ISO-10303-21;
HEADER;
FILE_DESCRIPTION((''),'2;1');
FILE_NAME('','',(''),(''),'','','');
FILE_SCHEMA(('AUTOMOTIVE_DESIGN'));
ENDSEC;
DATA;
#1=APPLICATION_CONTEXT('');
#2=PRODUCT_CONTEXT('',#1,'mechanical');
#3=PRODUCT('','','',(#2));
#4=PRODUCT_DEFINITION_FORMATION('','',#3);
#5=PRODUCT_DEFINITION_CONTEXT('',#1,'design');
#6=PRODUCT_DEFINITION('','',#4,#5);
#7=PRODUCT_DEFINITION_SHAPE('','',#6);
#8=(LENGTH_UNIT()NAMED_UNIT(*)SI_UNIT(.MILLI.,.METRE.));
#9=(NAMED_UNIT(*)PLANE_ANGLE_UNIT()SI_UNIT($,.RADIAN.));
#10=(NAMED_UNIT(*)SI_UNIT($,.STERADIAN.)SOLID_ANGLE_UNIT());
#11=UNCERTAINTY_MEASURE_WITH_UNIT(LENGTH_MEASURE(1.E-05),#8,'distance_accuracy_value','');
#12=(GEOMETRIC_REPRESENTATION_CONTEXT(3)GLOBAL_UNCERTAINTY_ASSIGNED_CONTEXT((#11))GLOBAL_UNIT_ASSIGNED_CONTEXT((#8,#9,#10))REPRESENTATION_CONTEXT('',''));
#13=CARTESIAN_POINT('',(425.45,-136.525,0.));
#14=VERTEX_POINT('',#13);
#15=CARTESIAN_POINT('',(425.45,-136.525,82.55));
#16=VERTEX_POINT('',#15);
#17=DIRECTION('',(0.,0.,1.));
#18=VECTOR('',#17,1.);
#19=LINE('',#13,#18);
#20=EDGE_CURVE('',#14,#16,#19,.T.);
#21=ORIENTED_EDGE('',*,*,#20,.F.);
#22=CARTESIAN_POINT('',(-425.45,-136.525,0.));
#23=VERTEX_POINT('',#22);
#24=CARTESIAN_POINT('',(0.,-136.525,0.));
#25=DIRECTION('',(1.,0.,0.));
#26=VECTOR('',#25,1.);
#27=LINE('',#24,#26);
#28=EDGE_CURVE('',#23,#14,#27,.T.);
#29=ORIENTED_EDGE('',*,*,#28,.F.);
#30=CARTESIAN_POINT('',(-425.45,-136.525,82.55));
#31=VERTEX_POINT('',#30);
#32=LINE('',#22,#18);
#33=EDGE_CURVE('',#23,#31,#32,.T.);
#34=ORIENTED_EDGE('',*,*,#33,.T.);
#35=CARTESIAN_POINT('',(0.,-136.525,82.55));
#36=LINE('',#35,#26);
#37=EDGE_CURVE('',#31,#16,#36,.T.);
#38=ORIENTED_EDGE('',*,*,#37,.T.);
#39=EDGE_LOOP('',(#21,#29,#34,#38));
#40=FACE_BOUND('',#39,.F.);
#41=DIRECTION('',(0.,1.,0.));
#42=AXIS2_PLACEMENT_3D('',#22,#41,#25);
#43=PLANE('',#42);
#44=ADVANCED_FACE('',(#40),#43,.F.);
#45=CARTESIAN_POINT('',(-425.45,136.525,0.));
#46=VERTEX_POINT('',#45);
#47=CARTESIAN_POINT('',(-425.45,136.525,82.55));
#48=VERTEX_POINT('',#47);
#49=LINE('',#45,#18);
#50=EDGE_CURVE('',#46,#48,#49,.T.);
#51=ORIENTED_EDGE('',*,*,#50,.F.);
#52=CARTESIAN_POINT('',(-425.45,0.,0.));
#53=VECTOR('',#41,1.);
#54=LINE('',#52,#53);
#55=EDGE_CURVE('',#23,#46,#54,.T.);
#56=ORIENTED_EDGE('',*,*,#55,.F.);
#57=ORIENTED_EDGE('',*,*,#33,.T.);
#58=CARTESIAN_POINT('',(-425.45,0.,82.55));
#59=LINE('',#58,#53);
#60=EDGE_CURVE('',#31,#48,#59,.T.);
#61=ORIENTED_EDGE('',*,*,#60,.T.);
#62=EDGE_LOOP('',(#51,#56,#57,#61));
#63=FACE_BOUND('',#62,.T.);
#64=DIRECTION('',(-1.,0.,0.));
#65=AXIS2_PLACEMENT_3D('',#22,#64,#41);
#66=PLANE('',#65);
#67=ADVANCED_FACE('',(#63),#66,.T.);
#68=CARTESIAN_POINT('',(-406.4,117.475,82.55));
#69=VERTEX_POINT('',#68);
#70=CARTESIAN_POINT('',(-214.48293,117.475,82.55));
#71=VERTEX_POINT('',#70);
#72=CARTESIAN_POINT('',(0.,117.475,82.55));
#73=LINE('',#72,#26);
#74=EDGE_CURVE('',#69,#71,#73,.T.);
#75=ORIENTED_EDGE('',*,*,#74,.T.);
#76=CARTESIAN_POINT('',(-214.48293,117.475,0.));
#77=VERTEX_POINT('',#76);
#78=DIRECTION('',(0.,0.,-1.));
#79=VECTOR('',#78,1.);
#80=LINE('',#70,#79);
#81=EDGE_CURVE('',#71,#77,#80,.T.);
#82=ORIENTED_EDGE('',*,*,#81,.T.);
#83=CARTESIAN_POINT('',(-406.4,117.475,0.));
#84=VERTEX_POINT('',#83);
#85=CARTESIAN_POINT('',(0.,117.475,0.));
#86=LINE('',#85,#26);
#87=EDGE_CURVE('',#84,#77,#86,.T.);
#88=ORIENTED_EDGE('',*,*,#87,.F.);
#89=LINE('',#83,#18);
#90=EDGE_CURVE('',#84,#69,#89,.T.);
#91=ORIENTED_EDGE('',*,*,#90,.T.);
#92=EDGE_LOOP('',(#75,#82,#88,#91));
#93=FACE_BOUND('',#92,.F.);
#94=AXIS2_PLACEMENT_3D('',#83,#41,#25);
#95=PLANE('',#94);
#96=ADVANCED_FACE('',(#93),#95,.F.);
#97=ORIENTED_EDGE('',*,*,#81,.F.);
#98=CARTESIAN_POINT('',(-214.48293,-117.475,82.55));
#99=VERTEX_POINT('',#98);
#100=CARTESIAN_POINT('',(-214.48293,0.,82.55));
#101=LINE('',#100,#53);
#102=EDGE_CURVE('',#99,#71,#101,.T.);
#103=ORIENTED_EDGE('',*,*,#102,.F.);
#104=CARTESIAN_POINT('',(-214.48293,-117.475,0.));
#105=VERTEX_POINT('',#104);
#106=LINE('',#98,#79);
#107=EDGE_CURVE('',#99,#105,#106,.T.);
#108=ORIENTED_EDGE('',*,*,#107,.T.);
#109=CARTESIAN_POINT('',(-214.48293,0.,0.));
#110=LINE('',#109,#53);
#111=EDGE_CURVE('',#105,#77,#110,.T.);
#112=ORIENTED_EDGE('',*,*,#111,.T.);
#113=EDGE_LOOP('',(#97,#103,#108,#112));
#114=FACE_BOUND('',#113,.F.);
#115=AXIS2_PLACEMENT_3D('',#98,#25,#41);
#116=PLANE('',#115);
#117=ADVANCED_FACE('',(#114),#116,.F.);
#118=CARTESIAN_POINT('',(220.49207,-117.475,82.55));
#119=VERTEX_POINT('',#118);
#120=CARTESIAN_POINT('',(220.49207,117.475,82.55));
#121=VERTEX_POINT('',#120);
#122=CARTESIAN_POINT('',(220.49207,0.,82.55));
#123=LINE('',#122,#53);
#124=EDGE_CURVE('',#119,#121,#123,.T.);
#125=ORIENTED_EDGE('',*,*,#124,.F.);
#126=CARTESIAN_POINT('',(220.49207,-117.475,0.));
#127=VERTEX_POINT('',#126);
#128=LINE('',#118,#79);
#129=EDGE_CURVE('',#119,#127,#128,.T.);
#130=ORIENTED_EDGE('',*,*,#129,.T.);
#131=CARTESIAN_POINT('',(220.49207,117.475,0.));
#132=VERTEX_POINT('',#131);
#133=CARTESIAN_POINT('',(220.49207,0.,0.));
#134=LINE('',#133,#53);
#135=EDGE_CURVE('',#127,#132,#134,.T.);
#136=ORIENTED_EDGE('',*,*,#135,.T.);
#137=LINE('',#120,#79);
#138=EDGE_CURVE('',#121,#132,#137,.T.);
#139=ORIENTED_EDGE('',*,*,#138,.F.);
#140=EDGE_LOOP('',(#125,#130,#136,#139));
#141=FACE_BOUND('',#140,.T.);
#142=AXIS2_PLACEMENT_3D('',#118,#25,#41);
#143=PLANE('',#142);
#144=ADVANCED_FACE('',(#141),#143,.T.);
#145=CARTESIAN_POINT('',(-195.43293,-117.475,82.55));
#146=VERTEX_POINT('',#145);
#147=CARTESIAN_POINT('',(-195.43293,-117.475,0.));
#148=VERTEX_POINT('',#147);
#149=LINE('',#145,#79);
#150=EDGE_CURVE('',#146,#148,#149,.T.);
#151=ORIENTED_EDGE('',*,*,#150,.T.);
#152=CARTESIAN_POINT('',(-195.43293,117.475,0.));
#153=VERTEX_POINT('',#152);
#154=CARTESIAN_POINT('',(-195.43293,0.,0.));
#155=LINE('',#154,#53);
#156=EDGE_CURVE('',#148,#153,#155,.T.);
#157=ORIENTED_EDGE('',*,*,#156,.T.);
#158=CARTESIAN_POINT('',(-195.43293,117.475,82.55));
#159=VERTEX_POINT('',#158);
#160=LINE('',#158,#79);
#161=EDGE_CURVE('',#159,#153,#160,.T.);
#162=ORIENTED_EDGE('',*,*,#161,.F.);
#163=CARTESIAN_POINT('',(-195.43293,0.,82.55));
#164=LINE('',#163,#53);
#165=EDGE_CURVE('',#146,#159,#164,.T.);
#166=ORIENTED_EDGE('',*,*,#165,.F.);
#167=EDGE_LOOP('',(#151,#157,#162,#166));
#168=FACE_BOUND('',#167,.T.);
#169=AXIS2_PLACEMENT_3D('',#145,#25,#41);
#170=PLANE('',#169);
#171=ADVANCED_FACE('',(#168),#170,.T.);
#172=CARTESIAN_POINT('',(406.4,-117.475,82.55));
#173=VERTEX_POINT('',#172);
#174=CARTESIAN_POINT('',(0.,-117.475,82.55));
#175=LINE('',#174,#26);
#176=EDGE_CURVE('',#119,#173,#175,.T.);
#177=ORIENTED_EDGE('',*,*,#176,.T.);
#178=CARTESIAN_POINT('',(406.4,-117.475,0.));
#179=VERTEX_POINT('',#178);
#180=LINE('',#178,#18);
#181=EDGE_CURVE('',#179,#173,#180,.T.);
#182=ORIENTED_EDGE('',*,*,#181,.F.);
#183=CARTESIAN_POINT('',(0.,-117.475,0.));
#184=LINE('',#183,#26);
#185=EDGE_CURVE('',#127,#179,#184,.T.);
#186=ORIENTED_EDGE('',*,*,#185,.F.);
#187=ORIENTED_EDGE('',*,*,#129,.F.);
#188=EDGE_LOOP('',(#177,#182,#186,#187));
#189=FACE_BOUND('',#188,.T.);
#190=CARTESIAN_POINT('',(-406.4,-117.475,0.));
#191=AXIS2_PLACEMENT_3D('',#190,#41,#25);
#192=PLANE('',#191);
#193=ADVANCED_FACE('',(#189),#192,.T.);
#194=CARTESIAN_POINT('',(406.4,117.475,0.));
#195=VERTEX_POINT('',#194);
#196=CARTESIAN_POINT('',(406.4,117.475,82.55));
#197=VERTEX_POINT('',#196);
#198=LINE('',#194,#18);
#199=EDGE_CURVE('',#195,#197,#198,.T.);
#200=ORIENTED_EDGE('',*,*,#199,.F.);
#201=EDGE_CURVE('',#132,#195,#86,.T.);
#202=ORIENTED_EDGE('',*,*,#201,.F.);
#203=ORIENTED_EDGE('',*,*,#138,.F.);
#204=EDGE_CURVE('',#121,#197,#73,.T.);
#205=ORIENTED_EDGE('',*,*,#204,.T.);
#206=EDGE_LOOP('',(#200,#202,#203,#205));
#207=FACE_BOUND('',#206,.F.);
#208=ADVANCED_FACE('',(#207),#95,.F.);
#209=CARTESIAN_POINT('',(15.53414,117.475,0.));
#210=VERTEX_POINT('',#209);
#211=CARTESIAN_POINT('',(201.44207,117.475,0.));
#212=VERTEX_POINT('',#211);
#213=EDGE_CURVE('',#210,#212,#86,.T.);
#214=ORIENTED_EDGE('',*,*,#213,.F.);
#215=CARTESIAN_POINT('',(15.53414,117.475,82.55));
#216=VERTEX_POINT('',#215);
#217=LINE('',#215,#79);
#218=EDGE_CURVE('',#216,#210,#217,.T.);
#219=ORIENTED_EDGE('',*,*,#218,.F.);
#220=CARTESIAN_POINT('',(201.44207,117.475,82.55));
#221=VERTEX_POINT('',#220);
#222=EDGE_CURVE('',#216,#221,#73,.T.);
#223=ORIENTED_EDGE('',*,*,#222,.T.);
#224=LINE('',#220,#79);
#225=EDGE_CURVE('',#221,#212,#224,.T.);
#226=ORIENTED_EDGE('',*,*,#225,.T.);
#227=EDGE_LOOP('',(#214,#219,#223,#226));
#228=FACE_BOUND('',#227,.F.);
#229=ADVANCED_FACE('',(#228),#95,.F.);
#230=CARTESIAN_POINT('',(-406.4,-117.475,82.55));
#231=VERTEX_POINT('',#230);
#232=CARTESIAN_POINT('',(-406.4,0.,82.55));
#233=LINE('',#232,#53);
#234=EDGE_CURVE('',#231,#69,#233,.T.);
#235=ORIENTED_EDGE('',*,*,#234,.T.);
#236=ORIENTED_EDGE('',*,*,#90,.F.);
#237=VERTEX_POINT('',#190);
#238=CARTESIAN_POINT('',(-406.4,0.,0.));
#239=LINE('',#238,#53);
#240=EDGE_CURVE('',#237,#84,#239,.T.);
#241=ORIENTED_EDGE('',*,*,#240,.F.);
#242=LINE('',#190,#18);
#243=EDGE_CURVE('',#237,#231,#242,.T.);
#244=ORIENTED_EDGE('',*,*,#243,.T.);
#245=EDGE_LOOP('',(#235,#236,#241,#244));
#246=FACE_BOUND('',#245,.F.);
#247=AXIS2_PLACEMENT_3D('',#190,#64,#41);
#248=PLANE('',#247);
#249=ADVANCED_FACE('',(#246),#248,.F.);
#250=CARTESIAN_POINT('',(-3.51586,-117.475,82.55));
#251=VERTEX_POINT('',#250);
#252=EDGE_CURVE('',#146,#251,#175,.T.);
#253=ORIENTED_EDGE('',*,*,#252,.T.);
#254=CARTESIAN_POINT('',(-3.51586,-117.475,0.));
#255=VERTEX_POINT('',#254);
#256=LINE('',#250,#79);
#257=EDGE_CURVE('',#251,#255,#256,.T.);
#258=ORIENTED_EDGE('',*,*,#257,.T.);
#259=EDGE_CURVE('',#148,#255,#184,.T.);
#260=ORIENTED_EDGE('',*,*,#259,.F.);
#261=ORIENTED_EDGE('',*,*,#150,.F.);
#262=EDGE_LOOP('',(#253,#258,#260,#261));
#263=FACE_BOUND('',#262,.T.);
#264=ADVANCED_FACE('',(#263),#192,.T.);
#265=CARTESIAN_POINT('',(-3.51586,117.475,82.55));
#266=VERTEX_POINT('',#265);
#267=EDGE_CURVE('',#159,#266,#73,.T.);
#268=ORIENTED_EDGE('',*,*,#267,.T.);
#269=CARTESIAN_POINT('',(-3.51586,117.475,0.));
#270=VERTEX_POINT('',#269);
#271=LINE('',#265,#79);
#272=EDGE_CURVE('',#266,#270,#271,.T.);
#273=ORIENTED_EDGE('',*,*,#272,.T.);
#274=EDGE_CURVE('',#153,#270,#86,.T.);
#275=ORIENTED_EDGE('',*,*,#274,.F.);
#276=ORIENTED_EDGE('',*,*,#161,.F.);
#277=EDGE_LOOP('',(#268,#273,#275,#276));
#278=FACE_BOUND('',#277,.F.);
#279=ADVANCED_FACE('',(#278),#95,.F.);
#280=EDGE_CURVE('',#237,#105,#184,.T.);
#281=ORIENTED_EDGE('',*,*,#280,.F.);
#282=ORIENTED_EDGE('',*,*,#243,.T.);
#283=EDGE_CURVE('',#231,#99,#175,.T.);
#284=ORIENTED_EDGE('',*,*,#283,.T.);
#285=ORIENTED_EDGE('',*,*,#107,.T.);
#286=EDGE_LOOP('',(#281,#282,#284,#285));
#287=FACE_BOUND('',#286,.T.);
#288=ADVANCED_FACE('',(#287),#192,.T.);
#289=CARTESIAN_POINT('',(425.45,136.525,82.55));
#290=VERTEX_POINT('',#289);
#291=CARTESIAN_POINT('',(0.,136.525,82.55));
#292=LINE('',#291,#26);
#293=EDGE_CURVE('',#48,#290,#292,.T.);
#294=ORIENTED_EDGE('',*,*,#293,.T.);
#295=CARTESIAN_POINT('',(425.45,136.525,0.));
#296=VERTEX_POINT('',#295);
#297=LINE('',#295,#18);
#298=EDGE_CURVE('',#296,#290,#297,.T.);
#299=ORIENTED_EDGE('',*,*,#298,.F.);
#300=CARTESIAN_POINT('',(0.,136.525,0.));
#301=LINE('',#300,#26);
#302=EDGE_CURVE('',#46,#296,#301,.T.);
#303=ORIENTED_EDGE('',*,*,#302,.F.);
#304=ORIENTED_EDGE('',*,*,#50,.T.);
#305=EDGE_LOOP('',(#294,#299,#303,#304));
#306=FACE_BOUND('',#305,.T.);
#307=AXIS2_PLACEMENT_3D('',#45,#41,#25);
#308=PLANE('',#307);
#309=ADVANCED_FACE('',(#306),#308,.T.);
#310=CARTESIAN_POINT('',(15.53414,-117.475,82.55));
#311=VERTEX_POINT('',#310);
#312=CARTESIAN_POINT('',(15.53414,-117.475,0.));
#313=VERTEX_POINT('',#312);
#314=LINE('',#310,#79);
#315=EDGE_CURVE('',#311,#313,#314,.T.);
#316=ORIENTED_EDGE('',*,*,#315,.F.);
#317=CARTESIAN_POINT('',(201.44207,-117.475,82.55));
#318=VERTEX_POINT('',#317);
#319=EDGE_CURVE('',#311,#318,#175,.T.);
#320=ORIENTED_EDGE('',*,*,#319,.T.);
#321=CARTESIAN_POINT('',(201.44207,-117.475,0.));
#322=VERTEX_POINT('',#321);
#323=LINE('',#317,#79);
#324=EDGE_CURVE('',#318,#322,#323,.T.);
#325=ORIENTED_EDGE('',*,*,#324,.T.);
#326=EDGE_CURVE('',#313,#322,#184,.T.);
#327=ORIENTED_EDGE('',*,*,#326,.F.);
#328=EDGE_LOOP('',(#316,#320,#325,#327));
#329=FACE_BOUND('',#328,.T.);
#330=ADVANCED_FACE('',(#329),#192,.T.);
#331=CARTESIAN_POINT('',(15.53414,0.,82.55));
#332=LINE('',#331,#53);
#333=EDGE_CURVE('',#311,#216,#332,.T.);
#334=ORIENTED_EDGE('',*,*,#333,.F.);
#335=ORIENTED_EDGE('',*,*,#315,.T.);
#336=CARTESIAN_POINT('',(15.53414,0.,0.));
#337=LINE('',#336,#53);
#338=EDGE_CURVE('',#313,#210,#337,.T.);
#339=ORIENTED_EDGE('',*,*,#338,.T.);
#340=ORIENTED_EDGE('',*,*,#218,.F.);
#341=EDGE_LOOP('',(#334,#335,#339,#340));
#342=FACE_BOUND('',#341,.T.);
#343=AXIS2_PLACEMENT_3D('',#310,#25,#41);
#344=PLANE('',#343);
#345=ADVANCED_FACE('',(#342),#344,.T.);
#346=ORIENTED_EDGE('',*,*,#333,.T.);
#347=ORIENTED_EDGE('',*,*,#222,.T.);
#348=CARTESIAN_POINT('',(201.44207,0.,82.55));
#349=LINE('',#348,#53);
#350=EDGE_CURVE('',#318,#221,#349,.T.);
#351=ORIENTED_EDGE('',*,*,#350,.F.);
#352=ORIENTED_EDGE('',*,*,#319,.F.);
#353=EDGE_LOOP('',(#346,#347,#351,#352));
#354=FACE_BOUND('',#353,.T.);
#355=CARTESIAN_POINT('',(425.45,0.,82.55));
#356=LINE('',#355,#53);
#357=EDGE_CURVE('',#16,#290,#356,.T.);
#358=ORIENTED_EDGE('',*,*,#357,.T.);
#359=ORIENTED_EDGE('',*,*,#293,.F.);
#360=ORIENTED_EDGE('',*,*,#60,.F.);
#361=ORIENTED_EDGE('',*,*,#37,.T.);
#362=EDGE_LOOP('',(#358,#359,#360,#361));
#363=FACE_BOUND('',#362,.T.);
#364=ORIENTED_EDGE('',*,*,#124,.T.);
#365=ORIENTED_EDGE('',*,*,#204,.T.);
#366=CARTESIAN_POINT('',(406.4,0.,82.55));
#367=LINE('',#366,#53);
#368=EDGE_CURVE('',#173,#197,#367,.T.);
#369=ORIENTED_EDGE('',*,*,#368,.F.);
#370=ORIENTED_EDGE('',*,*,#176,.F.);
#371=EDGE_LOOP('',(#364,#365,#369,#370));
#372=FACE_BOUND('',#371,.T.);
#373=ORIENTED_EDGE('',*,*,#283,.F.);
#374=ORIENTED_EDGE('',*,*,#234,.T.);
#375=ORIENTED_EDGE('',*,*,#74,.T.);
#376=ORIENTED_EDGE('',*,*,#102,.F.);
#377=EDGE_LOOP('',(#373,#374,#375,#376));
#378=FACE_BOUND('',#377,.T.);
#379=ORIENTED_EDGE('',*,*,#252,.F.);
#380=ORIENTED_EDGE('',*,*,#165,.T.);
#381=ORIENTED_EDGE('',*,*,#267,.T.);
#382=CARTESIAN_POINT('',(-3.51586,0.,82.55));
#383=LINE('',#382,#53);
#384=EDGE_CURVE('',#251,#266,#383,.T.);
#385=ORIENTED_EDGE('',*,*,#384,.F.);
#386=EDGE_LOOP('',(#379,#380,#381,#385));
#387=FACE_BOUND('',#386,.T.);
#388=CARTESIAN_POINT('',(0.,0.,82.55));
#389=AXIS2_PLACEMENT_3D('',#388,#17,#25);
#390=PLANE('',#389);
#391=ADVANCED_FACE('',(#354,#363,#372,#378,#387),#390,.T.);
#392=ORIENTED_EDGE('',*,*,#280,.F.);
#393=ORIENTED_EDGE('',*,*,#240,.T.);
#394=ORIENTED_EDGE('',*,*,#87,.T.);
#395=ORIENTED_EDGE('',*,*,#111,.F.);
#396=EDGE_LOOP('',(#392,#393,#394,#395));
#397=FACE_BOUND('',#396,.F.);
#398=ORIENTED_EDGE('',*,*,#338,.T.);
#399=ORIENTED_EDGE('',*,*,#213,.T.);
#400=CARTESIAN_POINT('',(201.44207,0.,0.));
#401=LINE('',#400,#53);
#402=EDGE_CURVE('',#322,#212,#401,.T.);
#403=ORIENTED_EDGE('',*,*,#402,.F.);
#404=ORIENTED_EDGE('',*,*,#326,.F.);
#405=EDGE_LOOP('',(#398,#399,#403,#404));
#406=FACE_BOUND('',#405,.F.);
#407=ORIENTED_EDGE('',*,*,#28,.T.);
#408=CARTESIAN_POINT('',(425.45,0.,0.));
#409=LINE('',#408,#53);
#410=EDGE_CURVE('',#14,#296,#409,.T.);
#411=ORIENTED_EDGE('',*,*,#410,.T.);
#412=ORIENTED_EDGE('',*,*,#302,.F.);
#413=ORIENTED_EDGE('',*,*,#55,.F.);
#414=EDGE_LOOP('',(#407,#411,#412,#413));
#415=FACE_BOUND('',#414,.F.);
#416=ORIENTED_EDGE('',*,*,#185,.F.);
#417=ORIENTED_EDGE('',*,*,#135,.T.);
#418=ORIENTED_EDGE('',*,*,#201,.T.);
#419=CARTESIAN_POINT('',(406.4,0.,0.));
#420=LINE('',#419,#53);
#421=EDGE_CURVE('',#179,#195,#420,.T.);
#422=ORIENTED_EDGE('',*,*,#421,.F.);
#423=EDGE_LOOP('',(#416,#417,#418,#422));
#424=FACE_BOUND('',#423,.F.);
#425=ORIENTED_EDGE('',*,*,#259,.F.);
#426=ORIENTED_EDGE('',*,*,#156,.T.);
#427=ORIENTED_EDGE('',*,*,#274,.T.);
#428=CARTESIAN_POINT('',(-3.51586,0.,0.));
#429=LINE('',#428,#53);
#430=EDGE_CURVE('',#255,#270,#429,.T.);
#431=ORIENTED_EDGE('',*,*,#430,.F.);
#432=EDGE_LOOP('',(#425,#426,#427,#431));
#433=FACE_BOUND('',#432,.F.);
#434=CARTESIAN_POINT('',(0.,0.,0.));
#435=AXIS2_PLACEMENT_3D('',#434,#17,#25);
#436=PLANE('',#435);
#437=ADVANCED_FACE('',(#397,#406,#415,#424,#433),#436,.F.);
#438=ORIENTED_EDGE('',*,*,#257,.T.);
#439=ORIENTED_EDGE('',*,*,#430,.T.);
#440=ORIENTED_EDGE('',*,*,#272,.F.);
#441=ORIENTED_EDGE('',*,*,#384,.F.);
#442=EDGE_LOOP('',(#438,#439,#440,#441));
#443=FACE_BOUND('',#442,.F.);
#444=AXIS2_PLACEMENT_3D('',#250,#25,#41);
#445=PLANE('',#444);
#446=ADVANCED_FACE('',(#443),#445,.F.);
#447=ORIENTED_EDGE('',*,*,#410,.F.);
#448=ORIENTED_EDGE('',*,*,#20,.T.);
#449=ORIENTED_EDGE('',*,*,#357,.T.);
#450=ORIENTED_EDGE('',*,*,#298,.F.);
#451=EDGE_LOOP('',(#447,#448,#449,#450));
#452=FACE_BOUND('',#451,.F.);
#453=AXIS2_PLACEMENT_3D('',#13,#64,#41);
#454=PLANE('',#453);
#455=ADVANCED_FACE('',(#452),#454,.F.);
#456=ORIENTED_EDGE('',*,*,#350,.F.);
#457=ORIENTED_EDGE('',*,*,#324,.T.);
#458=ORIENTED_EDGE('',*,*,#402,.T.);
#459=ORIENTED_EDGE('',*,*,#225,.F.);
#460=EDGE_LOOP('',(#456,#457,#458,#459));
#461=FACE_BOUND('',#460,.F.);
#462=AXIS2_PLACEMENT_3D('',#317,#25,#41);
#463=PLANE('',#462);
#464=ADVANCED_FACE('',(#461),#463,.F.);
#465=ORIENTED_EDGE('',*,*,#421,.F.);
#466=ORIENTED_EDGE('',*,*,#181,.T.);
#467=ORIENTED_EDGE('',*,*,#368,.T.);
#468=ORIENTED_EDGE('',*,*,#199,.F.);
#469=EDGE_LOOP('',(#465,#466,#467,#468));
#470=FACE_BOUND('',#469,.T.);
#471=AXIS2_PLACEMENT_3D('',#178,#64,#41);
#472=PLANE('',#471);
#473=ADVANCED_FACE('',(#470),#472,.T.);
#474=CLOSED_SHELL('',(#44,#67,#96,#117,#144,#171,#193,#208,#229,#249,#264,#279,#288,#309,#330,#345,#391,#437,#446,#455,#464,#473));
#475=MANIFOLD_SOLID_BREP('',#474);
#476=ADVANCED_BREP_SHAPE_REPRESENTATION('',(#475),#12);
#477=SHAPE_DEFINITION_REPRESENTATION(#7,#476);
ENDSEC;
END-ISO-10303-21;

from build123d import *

# Parameters (mm, degrees)
F1_W     = 850.9
F1_H     = 273.05
F1_W_2   = 812.8
F1_H_2   = 234.95
F2_DEPTH = 82.55
F3_W     = 19.05
F3_H     = 234.95
F4_DEPTH = 82.55
F5_W     = 19.05
F5_H     = 234.95
F6_DEPTH = 82.55
F7_W     = 19.05
F7_H     = 234.95
F8_DEPTH = 82.55


with BuildPart() as f2:
    # F1 (on face) → F2 (new body)
    with BuildSketch(Plane.XY):
        Rectangle(F1_W, F1_H)
        Rectangle(F1_W_2, F1_H_2, mode=Mode.SUBTRACT)
    extrude(amount=F2_DEPTH)

    # F3 (on face) → F4 (join)
    with BuildSketch(Plane.XY.offset(82.55)):
        with Locations((6.0091395862, 0)):
            Rectangle(F3_W, F3_H)
    extrude(amount=-F4_DEPTH)

    # F5 (on face) → F6 (join)
    with BuildSketch(Plane.XY.offset(82.55)):
        with Locations((-204.9579302069, 0)):
            Rectangle(F5_W, F5_H)
    extrude(amount=-F6_DEPTH)

    # F7 (on face) → F8 (join)
    with BuildSketch(Plane.XY.offset(82.55)):
        with Locations((210.9670697931, 0)):
            Rectangle(F7_W, F7_H)
    extrude(amount=-F8_DEPTH)


solid = f2.part
